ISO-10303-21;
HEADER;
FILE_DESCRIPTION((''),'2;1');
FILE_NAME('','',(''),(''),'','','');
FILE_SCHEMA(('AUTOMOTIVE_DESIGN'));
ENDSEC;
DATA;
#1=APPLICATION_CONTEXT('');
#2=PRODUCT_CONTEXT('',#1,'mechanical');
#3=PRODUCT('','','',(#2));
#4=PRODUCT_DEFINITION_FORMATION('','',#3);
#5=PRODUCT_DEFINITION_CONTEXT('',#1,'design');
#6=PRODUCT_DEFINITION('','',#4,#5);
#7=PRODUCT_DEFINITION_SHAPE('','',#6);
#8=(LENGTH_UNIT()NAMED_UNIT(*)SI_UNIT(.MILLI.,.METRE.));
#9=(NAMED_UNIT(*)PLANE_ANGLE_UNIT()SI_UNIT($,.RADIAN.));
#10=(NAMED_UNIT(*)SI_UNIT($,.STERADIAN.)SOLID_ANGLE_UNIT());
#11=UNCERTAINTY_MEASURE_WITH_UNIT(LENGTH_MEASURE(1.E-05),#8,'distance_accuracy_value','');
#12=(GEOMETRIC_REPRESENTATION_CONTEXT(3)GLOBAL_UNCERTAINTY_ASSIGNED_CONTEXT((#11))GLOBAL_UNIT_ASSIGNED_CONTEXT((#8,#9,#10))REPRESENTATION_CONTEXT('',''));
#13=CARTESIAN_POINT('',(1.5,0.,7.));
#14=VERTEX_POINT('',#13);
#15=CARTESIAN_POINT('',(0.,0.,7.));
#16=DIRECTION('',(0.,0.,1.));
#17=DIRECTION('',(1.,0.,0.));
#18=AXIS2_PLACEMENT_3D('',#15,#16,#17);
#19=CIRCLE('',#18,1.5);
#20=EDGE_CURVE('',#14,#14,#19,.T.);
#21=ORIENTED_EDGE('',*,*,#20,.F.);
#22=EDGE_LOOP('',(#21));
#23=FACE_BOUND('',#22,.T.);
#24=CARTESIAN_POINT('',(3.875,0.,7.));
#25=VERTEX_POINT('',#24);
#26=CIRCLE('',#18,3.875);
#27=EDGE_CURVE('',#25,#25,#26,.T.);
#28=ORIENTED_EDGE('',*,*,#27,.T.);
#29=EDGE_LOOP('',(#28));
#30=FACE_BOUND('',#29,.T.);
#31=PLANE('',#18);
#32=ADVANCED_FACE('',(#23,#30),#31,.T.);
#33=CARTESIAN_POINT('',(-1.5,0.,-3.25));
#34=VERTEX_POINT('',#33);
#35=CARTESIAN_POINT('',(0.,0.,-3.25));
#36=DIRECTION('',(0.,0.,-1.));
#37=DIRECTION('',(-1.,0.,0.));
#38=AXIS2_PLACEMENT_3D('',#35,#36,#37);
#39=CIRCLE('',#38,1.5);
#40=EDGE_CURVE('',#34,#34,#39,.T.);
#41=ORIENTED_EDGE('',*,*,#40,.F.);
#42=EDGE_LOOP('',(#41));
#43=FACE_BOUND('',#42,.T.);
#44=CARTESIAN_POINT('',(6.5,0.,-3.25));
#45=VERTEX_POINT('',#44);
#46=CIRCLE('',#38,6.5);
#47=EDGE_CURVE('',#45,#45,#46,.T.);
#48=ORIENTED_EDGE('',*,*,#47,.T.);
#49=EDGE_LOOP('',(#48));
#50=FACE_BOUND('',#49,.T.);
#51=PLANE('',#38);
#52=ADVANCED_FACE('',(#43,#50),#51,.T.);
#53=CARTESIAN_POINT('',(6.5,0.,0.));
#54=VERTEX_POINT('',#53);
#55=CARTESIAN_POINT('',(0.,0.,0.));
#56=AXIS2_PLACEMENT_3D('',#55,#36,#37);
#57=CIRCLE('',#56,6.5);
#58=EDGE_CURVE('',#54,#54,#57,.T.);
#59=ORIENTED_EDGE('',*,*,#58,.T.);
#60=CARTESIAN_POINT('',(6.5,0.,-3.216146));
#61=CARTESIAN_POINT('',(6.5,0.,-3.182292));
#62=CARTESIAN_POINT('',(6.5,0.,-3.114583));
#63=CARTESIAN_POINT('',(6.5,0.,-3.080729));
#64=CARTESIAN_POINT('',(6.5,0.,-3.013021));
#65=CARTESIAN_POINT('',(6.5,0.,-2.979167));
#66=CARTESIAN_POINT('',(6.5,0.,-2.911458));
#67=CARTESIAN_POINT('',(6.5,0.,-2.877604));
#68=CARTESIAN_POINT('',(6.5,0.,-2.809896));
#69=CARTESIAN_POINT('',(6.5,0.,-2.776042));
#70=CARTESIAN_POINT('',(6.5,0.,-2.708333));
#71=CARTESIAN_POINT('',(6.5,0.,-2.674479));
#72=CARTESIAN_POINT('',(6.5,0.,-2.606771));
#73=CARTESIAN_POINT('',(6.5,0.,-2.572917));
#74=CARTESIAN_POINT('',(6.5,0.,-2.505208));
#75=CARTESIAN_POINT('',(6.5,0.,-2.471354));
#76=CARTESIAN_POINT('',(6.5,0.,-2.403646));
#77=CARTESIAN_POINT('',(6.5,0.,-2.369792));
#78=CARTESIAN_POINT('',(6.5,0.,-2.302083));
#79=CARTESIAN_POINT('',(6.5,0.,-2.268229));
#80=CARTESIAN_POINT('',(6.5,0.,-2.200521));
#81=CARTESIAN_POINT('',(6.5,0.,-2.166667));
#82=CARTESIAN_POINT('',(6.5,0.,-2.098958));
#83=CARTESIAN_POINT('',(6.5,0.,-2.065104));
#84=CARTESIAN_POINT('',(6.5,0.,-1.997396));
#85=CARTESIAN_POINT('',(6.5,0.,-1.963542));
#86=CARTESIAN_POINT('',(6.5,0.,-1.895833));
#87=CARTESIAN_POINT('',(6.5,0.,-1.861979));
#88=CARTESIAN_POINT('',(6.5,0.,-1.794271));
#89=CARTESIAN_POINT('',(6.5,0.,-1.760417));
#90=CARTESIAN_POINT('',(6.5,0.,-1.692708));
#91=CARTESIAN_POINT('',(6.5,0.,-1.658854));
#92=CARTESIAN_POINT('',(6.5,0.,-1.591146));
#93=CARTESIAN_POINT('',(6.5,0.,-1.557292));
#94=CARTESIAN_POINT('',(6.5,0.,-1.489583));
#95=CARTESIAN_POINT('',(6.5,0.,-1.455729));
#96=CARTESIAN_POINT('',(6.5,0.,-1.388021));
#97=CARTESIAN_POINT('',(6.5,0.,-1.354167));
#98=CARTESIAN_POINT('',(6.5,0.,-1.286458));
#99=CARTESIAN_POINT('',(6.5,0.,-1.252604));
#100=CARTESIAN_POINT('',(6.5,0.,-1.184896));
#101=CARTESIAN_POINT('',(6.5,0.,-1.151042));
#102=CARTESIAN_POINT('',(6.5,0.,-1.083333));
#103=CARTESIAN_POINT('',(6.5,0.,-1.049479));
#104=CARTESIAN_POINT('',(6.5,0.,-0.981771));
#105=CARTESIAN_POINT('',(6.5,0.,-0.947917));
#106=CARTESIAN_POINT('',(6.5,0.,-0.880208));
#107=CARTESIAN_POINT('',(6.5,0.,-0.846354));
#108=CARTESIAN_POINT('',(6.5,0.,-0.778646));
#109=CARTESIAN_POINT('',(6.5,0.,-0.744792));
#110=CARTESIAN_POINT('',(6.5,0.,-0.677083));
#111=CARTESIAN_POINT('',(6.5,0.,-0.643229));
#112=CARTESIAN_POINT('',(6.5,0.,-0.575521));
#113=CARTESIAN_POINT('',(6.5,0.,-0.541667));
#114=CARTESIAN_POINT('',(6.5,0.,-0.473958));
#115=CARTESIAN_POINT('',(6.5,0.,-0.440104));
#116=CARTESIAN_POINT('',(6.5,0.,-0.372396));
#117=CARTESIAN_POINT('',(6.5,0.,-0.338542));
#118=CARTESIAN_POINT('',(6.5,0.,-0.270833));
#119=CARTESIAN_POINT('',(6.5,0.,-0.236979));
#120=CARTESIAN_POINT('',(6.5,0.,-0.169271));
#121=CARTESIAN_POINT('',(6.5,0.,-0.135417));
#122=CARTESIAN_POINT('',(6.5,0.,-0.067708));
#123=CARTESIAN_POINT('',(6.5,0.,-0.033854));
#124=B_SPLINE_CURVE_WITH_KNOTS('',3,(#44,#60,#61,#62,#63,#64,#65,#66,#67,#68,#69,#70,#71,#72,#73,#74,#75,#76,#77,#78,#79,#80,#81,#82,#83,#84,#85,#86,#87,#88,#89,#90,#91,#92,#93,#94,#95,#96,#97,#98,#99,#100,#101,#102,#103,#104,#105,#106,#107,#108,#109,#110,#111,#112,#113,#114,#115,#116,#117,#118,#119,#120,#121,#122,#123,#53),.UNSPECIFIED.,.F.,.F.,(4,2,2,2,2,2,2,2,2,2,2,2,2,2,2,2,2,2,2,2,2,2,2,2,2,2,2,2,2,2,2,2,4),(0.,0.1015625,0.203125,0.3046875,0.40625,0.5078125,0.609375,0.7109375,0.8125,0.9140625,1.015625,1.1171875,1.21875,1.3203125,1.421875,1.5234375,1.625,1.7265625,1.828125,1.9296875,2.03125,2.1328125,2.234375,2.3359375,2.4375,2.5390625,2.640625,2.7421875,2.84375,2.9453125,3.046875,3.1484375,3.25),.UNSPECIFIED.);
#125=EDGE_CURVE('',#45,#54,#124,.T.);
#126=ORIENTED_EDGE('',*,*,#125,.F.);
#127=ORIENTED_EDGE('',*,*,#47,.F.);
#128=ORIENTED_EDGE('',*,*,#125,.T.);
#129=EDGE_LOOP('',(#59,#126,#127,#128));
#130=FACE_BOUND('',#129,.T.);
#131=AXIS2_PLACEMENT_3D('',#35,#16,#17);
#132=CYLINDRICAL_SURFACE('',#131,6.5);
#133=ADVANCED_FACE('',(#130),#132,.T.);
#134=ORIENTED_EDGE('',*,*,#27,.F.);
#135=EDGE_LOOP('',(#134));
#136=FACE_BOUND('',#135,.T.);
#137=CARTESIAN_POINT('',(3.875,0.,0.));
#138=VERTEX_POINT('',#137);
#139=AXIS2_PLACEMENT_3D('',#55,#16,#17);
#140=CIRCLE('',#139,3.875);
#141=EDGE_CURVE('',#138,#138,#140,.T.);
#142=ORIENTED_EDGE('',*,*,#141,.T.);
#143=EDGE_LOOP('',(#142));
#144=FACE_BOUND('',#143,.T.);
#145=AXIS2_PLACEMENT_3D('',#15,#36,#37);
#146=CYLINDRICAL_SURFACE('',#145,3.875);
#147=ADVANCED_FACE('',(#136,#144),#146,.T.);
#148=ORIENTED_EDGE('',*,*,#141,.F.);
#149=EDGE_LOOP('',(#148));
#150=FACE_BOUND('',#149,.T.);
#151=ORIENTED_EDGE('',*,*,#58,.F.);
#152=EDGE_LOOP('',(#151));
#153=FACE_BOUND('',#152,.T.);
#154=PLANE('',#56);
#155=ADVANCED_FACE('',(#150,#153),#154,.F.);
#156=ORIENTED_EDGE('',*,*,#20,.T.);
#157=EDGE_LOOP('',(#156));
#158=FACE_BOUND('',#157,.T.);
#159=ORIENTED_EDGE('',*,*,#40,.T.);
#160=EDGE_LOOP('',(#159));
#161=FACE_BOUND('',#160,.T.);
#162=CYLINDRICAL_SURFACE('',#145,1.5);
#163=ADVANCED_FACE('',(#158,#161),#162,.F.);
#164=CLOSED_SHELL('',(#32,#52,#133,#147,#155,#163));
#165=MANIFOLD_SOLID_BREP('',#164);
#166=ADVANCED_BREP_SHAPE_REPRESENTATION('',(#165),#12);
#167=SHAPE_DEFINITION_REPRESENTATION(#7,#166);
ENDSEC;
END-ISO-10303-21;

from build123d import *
from build123d.topology import SkipClean

# Parameters (mm, degrees)
SKETCH1_R           = 3.875
SKETCH1_R_2         = 1.5
BOSS_EXTRUDE1_DEPTH = 7
BOSS_EXTRUDE2_START = 3.25
SKETCH2_R           = 6.5
SKETCH2_R_2         = 1.5
BOSS_EXTRUDE2_DEPTH = 3.25


with BuildPart() as part:
    # Sketch1 → Boss-Extrude1 (new body)
    with BuildSketch(Plane.XY):
        Circle(SKETCH1_R)
        Circle(SKETCH1_R_2, mode=Mode.SUBTRACT)
    extrude(amount=BOSS_EXTRUDE1_DEPTH)

    # Sketch2 → Boss-Extrude2 (add)
    with SkipClean():  # the faces are left unmerged after this step: merging them gives an invalid solid
        with BuildSketch(Plane(origin=(0, 0, 0), x_dir=(-1, 0, 0), z_dir=(0, 0, -1)).offset(BOSS_EXTRUDE2_START)):
            with Locations(Location((0, 0, 0), (0, 0, 180))):
                Circle(SKETCH2_R)
            Circle(SKETCH2_R_2, mode=Mode.SUBTRACT)
        extrude(amount=-BOSS_EXTRUDE2_DEPTH)


solid = part.part
